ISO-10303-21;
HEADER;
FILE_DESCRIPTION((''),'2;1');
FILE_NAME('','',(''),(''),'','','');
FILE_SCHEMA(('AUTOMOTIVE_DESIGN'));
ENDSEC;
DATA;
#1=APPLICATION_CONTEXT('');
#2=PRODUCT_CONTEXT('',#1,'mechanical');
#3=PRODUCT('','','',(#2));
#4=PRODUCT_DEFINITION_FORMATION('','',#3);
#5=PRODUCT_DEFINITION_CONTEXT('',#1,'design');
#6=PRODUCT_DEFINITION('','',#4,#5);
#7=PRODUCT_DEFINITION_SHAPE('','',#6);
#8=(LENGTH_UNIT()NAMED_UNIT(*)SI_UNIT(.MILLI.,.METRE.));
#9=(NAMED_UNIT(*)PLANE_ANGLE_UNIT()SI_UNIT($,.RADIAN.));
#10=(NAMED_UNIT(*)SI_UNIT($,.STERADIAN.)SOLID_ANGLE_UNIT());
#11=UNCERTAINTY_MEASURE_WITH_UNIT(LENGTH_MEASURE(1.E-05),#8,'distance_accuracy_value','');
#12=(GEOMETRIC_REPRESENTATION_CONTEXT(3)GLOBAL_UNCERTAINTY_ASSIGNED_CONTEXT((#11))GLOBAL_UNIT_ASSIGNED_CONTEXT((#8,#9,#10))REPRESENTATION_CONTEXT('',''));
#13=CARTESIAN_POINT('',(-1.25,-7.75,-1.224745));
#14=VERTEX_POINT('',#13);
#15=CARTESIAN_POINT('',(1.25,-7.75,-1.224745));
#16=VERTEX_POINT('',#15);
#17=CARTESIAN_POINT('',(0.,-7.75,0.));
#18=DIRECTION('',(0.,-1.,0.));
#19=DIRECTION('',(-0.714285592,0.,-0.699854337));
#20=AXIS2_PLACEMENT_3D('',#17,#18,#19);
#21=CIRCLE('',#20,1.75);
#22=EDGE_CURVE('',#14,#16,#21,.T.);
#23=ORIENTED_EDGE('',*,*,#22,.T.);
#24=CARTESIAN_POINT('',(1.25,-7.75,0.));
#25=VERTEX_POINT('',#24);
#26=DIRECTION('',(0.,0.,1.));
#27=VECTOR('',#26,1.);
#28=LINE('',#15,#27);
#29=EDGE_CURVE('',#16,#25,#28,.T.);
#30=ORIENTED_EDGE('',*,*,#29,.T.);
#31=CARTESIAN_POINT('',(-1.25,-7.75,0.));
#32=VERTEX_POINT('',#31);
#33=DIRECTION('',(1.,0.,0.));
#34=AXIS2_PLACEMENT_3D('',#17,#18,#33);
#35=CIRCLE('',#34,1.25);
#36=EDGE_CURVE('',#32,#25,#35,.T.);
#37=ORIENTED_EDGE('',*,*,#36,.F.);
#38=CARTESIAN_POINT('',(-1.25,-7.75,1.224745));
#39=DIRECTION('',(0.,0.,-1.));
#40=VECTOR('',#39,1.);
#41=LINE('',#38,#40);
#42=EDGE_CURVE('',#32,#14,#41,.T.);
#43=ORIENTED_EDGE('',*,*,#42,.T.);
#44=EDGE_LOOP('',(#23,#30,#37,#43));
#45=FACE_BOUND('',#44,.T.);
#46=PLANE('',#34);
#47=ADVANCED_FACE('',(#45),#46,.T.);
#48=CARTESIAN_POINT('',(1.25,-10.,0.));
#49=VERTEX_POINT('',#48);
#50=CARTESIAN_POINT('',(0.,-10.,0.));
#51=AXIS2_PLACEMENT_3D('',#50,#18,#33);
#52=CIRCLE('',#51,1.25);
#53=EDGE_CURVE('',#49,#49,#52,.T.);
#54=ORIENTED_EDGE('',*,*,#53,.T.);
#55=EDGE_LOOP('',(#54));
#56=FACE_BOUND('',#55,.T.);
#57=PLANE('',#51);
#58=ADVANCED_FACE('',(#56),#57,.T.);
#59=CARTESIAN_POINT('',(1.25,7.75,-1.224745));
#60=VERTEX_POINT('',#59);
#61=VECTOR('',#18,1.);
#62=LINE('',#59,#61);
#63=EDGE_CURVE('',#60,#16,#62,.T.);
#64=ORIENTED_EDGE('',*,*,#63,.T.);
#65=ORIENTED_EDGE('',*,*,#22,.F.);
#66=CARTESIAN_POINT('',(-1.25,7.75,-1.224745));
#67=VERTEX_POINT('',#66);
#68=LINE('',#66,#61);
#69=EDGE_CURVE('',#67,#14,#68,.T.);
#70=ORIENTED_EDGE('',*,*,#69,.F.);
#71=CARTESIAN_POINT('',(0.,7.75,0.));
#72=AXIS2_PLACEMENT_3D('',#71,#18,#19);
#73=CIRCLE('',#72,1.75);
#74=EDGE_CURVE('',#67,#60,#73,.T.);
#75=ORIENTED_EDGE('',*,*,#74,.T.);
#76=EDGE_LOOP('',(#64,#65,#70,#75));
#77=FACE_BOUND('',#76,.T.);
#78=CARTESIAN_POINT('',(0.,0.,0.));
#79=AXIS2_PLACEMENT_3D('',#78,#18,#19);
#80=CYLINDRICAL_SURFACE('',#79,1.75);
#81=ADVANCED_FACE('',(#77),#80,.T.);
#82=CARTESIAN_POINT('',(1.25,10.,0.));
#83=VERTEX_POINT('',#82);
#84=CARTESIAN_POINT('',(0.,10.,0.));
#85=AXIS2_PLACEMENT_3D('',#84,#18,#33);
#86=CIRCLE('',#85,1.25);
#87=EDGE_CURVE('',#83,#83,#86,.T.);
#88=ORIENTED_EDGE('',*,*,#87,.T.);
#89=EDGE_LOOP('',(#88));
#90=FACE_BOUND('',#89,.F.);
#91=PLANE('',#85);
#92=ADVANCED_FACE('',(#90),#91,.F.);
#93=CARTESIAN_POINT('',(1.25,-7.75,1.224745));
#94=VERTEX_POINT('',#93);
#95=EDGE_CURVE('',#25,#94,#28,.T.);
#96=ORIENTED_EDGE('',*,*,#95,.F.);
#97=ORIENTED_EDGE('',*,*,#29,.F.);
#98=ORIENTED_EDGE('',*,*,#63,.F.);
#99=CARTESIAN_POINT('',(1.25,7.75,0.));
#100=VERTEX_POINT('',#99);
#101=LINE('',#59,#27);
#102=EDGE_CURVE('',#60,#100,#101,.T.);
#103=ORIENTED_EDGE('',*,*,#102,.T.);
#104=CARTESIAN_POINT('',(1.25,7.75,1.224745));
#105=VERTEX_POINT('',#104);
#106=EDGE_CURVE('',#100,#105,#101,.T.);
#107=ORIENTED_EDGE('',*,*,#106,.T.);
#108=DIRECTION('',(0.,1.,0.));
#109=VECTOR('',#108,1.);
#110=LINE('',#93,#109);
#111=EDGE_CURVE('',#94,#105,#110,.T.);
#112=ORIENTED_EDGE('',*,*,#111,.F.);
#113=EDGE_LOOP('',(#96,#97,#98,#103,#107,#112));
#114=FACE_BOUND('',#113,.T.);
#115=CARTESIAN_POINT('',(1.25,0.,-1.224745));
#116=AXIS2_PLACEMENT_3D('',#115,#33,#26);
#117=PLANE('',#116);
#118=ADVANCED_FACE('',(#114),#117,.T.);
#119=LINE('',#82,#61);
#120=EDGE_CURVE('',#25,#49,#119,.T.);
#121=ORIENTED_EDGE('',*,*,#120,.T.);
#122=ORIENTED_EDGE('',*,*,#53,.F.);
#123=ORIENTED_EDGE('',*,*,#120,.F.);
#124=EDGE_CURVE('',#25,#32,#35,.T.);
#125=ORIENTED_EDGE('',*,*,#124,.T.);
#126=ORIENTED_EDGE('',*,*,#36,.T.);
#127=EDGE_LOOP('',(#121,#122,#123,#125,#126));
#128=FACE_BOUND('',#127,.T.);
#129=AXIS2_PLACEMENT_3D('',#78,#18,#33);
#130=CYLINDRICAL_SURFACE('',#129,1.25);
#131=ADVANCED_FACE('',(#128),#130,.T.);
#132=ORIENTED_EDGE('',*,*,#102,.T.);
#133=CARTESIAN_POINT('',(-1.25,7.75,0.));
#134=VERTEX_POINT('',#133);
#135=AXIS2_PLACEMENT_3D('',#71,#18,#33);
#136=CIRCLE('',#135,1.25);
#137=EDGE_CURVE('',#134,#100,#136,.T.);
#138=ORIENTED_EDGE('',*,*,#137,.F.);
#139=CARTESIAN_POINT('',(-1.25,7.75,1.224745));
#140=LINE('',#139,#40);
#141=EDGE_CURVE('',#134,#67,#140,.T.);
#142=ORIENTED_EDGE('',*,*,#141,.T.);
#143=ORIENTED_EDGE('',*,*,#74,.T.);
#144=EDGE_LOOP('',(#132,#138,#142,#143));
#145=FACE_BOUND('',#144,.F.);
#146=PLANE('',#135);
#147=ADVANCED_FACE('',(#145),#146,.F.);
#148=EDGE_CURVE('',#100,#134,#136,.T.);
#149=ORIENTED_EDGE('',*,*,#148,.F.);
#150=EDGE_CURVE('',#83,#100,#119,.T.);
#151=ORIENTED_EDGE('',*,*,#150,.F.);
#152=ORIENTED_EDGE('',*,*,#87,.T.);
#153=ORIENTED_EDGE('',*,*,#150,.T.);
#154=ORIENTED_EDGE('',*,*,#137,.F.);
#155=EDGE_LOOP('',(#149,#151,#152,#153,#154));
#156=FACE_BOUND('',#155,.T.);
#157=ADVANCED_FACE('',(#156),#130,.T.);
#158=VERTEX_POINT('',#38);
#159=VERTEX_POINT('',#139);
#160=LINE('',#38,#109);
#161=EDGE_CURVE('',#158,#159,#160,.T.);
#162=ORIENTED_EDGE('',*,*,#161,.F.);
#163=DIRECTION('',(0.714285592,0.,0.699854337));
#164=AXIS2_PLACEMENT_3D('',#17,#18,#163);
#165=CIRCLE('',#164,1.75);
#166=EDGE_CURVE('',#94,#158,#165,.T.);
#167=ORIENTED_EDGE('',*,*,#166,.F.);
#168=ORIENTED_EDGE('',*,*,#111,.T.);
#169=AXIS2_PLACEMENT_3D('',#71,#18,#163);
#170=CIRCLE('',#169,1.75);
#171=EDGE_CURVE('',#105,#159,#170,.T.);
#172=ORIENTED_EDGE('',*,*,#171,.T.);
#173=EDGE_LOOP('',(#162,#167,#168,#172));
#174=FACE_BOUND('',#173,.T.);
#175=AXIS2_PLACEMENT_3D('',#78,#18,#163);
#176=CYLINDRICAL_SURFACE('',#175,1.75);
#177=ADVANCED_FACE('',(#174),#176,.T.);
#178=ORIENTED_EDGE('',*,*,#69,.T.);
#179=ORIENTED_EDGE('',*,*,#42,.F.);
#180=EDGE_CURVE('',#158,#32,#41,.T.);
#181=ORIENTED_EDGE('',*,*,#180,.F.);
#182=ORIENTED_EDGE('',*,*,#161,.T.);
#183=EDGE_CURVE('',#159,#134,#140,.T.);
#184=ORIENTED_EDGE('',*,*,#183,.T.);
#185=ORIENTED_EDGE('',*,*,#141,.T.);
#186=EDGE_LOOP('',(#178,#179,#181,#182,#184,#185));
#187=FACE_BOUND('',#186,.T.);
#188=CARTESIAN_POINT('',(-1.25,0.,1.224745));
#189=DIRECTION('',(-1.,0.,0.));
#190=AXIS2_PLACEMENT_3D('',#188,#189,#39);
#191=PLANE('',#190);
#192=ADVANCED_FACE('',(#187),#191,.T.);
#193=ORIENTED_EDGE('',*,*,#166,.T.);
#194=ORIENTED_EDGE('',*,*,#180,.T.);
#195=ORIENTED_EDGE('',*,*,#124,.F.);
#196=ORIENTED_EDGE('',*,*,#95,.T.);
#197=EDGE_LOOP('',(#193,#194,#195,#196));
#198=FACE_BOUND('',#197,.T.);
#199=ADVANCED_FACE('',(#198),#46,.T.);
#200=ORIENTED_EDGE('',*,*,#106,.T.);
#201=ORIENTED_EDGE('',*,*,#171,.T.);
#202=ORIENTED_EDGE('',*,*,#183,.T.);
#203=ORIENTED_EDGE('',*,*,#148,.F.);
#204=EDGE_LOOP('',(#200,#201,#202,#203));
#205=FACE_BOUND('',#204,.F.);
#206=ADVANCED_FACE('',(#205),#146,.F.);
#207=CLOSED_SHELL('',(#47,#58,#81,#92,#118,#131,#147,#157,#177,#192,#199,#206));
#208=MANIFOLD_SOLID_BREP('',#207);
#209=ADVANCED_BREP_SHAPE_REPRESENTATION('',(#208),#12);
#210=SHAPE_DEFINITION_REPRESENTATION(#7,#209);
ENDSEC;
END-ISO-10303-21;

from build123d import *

# Parameters (mm, degrees)
F1_DEPTH = 7.75
F2_R     = 1.25
F3_DEPTH = 10


with BuildPart() as f1:
    # F0 (on Front) → F1 (new body, symmetric)
    with BuildSketch(Plane.XZ):
        with BuildLine():
            Line((-1.25, 1.224745), (-1.25, -1.224745))
            ThreePointArc((-1.25, -1.224745), (0, -1.75), (1.25, -1.224745))
            Line((1.25, -1.224745), (1.25, 1.224745))
            ThreePointArc((1.25, 1.224745), (0, 1.75), (-1.25, 1.224745))
        make_face()
    extrude(amount=F1_DEPTH, both=True)

    # F2 (on Front) → F3 (join, symmetric)
    with BuildSketch(Plane.XZ):
        Circle(F2_R)
    extrude(amount=F3_DEPTH, both=True)


solid = f1.part
